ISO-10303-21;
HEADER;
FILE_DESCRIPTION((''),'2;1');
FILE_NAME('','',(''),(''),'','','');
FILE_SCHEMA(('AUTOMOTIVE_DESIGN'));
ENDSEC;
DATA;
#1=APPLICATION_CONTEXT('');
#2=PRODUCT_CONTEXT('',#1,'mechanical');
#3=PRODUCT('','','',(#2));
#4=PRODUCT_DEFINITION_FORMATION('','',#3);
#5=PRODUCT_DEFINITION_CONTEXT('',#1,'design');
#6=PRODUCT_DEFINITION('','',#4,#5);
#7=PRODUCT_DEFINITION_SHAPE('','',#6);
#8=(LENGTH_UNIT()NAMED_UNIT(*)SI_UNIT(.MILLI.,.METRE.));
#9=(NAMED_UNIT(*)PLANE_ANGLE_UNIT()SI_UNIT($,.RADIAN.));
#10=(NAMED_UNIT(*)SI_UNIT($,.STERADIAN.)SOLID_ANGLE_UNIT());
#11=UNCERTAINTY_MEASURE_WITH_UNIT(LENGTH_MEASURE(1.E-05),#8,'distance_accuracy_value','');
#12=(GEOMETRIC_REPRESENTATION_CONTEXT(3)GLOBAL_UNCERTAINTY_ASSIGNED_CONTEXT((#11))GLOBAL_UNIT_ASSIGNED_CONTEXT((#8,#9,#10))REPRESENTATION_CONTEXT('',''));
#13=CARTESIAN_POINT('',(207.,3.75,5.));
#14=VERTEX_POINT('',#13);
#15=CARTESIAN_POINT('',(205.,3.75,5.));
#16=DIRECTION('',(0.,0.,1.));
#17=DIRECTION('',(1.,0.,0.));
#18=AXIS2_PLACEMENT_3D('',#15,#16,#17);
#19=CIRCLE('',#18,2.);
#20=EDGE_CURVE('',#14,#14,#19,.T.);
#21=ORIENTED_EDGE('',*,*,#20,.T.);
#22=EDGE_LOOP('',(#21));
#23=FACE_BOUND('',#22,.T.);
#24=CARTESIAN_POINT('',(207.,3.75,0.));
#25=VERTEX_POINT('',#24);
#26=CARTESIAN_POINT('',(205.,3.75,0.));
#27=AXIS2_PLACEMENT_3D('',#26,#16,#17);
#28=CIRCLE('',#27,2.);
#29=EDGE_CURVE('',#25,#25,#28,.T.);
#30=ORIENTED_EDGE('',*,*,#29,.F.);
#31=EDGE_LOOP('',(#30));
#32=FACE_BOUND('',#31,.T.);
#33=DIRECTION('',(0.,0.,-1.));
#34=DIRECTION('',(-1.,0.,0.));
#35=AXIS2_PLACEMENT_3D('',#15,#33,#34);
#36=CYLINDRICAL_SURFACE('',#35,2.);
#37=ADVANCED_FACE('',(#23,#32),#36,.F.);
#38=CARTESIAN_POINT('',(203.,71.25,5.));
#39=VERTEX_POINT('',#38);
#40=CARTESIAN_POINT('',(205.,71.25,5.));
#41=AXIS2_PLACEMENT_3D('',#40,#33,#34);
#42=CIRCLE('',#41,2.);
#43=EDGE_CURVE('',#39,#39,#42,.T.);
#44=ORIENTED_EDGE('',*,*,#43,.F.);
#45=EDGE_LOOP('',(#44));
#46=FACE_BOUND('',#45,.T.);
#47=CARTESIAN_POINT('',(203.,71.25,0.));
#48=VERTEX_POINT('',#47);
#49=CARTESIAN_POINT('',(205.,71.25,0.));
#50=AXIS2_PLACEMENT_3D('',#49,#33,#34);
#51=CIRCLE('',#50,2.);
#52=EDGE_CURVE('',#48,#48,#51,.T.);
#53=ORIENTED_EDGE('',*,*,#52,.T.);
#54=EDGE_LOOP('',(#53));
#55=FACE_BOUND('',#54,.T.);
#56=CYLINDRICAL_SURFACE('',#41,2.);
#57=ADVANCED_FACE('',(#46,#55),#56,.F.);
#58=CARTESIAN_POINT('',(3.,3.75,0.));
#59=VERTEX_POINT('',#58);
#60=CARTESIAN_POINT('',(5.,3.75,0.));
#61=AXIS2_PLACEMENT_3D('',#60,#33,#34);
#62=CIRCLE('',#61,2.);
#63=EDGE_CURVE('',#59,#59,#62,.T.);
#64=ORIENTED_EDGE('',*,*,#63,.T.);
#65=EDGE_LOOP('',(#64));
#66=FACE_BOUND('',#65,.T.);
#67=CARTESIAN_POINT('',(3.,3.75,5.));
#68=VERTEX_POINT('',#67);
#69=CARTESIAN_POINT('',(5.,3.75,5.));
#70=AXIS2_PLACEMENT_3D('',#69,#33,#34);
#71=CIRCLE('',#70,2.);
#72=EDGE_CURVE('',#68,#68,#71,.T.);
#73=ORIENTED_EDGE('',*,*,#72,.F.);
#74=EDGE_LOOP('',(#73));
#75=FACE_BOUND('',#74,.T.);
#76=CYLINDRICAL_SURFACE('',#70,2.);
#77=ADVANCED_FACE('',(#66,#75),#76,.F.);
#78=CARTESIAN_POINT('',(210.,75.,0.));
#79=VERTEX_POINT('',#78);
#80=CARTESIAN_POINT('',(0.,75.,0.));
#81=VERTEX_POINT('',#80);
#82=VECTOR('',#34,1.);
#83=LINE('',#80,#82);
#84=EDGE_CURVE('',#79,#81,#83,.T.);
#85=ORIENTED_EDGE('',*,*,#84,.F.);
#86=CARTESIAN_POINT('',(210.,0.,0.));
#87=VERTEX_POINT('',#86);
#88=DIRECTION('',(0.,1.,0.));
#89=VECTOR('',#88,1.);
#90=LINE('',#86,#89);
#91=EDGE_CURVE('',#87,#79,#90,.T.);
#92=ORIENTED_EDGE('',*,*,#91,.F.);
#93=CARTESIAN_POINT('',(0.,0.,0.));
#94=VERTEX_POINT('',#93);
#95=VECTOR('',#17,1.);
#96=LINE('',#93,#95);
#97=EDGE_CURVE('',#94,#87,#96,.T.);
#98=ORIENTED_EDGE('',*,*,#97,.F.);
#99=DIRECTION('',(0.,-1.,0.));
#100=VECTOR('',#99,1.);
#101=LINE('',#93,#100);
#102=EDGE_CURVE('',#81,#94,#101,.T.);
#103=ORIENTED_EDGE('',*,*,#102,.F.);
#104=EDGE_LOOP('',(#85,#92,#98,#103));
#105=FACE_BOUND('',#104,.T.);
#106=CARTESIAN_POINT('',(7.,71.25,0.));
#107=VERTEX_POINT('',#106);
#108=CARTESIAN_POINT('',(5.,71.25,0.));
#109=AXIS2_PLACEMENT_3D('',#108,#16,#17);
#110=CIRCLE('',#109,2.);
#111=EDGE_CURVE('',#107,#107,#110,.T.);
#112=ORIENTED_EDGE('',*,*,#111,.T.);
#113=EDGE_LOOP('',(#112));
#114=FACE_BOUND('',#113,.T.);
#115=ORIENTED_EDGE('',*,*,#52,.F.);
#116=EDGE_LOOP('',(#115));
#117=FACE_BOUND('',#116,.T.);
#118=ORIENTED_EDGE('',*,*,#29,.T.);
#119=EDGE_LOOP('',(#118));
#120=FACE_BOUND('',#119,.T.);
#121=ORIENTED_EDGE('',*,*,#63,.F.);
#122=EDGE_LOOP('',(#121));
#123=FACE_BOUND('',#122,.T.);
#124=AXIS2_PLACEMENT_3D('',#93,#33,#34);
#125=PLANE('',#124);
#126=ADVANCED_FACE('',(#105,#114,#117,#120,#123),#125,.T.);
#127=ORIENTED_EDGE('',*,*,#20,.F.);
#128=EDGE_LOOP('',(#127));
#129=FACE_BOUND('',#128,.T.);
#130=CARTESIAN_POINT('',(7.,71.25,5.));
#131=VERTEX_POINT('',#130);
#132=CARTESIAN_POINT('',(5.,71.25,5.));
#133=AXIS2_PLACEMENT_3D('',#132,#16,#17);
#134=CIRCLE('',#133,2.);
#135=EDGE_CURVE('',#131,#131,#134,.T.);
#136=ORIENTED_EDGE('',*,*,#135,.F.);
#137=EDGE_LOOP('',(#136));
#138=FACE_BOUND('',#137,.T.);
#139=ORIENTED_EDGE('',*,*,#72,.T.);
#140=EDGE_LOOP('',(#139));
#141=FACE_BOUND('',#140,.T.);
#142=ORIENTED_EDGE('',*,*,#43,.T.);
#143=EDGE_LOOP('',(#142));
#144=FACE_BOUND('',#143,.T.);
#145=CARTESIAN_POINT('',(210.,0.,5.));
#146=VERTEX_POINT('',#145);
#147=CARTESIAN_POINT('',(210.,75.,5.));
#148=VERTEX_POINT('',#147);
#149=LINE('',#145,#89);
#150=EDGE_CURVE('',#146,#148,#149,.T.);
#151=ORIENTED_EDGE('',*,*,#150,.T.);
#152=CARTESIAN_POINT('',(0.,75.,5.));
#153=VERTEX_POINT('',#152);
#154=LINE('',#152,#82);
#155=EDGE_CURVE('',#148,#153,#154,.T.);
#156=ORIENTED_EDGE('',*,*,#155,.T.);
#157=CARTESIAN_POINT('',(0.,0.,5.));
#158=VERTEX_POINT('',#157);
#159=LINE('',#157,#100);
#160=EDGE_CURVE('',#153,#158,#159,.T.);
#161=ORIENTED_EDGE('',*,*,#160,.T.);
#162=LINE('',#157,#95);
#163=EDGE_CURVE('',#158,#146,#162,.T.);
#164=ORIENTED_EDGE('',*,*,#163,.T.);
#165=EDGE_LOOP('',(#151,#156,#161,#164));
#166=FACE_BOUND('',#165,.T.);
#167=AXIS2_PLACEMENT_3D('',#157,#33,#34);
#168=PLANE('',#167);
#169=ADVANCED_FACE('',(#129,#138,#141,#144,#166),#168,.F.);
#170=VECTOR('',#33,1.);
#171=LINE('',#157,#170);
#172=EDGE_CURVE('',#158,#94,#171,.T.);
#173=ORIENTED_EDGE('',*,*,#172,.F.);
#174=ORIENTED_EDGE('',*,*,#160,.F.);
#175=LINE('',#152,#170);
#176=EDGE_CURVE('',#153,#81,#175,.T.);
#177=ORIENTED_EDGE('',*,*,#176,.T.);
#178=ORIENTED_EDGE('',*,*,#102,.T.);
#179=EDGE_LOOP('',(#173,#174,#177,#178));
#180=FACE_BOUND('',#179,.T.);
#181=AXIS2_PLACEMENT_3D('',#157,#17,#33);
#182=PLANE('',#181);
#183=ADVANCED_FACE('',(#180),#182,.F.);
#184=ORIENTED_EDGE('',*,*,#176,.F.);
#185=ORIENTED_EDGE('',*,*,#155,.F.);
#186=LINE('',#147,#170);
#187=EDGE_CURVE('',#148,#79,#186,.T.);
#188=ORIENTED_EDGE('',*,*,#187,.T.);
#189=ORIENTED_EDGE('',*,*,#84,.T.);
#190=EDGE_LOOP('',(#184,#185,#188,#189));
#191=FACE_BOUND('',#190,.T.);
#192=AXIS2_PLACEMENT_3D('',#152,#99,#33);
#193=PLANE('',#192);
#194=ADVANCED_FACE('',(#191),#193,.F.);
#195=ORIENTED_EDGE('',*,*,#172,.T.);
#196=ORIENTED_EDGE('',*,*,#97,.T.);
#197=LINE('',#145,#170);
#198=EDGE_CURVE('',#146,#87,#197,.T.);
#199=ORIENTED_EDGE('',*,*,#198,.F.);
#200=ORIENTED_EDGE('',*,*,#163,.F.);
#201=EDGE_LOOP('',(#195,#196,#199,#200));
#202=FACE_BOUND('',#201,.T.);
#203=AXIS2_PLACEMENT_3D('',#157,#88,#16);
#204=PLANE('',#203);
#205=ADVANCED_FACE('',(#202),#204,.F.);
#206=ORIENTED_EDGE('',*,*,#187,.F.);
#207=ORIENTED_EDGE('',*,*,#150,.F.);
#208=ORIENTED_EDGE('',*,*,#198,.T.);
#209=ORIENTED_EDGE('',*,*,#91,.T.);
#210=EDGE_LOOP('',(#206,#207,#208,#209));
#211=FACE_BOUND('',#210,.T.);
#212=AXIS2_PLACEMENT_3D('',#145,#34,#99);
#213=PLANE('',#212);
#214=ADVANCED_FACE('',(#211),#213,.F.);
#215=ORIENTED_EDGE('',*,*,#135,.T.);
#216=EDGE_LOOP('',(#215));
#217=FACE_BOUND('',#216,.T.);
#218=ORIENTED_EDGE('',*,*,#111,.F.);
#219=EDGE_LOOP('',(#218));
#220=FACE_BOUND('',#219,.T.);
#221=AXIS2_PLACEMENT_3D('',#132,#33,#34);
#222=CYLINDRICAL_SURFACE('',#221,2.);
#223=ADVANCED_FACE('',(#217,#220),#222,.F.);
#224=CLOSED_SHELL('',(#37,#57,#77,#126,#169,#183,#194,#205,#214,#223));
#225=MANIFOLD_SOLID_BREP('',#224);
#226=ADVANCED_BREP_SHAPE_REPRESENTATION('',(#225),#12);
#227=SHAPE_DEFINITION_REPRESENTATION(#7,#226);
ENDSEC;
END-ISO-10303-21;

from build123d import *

# Parameters (mm, degrees)
SKETCH1_W           = 210
SKETCH1_H           = 75
BOSS_EXTRUDE1_DEPTH = 5
SKETCH2_R           = 2
CUT_EXTRUDE2_DEPTH  = 5


with BuildPart() as part:
    # Sketch1 → Boss-Extrude1 (new body)
    with BuildSketch(Plane.XY):
        with Locations((105, 37.5)):
            Rectangle(SKETCH1_W, SKETCH1_H)
    extrude(amount=BOSS_EXTRUDE1_DEPTH)

    # Sketch2 → Cut-Extrude2 (cut)
    with BuildSketch(Plane(origin=(0, 0, 0), x_dir=(-1, 0, 0), z_dir=(0, 0, -1))):
        with Locations((-205, 71.25)):
            Circle(SKETCH2_R)
        with Locations((-5, 71.25)):
            Circle(SKETCH2_R)
        with Locations((-5, 3.75)):
            Circle(SKETCH2_R)
        with Locations((-205, 3.75)):
            Circle(SKETCH2_R)
    extrude(amount=-CUT_EXTRUDE2_DEPTH, mode=Mode.SUBTRACT)


solid = part.part
